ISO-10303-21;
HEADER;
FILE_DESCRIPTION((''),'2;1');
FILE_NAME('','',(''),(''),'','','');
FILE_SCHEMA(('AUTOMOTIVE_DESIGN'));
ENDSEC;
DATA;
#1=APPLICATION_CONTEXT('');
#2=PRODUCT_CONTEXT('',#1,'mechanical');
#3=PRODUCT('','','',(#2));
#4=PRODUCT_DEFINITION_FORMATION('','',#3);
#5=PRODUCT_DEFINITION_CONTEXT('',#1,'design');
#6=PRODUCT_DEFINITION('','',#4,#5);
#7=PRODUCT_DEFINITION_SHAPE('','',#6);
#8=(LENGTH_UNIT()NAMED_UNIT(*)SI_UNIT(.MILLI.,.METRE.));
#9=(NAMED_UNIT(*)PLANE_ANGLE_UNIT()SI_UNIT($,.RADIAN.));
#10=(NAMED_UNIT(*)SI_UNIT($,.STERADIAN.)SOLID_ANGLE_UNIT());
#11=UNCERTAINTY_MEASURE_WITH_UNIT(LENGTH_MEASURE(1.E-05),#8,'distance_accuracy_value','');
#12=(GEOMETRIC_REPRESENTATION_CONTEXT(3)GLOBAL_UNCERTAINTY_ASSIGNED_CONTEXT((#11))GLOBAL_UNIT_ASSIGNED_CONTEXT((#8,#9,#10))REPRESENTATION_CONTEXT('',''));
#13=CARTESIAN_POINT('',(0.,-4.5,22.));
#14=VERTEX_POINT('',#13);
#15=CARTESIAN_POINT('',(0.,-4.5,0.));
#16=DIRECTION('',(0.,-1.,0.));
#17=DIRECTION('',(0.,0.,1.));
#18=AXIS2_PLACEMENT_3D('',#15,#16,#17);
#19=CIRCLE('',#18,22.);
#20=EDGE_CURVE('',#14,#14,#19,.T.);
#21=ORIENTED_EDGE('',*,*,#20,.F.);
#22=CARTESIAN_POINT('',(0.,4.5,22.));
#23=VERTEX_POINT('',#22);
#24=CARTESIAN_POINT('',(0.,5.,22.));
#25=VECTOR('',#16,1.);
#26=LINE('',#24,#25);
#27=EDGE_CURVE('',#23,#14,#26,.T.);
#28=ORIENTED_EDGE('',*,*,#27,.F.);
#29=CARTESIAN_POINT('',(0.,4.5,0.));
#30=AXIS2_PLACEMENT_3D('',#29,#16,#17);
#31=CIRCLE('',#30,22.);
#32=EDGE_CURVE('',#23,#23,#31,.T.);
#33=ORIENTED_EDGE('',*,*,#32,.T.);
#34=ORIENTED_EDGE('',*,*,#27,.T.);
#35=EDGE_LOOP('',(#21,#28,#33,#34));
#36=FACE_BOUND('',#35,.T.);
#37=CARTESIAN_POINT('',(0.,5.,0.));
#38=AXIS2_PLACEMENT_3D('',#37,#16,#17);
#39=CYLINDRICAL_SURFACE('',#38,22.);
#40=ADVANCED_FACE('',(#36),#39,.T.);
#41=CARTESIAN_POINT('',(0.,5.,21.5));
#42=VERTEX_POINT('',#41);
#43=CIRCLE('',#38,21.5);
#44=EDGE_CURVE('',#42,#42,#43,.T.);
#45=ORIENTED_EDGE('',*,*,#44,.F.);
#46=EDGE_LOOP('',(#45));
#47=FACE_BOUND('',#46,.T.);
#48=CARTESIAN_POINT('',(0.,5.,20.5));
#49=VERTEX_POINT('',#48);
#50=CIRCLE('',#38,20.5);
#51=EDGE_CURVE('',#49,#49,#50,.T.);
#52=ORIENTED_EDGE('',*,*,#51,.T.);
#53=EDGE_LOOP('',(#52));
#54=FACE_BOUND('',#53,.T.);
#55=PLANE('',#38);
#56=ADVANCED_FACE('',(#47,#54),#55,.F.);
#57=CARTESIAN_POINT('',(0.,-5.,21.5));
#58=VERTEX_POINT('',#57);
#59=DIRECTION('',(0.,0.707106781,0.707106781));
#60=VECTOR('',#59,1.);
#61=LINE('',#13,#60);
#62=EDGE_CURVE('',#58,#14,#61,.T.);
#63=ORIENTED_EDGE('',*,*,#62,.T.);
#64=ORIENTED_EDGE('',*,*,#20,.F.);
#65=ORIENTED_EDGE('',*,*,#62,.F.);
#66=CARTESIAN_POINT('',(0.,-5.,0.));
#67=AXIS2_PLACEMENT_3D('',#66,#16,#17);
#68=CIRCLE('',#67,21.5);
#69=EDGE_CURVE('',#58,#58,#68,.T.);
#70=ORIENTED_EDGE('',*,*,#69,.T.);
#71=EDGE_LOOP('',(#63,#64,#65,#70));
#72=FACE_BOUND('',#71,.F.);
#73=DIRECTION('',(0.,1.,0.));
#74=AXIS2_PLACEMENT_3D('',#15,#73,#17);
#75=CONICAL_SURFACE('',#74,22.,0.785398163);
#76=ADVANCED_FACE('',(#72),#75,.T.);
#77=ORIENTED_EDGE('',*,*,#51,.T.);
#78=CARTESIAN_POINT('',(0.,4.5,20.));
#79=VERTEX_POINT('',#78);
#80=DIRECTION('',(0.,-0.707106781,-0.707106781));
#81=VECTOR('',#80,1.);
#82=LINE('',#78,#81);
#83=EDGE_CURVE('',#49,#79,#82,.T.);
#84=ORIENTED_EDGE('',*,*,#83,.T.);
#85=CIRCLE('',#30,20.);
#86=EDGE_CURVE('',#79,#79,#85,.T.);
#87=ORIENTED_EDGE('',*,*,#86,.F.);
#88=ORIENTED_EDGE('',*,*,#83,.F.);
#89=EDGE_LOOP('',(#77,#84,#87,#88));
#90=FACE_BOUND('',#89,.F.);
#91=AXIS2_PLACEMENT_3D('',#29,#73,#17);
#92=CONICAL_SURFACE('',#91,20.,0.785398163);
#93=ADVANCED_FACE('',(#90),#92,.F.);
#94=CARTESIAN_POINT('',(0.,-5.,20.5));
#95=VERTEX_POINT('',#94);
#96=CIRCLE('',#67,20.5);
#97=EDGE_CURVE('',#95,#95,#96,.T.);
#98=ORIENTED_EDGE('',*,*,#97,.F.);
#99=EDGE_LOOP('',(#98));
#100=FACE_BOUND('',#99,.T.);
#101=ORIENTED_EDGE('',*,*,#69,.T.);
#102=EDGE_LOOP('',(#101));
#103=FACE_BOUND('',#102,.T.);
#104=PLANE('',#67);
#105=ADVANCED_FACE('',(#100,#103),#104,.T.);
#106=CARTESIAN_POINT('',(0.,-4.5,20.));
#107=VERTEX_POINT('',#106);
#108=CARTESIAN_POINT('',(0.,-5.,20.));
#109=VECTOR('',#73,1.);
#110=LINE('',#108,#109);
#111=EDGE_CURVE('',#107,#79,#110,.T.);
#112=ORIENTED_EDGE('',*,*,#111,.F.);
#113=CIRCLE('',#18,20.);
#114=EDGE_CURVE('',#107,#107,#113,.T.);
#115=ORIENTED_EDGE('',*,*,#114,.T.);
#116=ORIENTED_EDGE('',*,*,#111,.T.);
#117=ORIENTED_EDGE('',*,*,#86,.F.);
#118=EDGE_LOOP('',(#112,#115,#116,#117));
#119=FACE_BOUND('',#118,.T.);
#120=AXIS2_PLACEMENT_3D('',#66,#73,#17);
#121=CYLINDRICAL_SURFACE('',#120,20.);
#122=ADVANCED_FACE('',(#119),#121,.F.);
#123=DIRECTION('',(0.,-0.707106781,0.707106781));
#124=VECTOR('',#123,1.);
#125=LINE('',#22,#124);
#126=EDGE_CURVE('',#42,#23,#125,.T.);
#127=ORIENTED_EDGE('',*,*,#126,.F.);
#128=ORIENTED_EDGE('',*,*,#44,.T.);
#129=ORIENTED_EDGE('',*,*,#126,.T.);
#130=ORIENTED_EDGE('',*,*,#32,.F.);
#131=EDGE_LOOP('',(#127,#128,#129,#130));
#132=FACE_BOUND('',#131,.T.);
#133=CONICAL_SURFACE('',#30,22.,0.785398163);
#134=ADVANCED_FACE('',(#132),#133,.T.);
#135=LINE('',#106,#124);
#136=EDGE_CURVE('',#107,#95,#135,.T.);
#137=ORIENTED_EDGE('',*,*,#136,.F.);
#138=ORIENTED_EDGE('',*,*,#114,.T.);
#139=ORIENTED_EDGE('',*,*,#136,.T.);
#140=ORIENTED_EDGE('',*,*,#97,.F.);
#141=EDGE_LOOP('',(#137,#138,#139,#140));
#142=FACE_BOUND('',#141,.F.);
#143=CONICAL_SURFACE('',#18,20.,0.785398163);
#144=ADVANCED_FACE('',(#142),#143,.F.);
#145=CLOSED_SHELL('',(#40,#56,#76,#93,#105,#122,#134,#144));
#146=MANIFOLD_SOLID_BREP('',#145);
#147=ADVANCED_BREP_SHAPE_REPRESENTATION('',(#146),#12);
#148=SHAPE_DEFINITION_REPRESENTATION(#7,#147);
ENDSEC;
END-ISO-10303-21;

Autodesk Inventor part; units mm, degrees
ref_plane "YZ Plane" through (0, 0, 0) normal (1, 0, 0) x (0, 1, 0)
ref_plane "XZ Plane" through (0, 0, 0) normal (0, 1, 0) x (-1, 0, 0)
ref_plane "XY Plane" through (0, 0, 0) normal (0, 0, 1) x (1, 0, 0)
sketch "Skizze1" plane through (0, 0, 0) normal (1, 0, 0) x (0, 1, 0)
  line L0 (5, 22) -> (-5, 22)
  line L1 (-5, 22) -> (-5, 20)
  line L2 (-5, 20) -> (5, 20)
  line L3 (5, 20) -> (5, 22)
  line L4 (5.4713, 0) -> (-6.5925, 0)
  point P0 (0, 0)
  point P1 (0, 20)
  point P2 (0, 22)
  dimension "d0" = 20
  dimension "d1" = 22
  dimension "d2" = 10
  dimension "d3" = 5
revolve "Basebody" add sketch "Skizze1" angle 360 about axis through (0, 5.4713, 0) along (0, -1, 0)
chamfer "Fasen1" distance 0.5 angle 45 4 edges at (0, 5, -20) (0, 5, -22) (0, -5, -22) (0, -5, -20)
properties part number "35-30-xxx Plain Bearing Socket" material "Kunststoff, undurchsichtig Weiß"
